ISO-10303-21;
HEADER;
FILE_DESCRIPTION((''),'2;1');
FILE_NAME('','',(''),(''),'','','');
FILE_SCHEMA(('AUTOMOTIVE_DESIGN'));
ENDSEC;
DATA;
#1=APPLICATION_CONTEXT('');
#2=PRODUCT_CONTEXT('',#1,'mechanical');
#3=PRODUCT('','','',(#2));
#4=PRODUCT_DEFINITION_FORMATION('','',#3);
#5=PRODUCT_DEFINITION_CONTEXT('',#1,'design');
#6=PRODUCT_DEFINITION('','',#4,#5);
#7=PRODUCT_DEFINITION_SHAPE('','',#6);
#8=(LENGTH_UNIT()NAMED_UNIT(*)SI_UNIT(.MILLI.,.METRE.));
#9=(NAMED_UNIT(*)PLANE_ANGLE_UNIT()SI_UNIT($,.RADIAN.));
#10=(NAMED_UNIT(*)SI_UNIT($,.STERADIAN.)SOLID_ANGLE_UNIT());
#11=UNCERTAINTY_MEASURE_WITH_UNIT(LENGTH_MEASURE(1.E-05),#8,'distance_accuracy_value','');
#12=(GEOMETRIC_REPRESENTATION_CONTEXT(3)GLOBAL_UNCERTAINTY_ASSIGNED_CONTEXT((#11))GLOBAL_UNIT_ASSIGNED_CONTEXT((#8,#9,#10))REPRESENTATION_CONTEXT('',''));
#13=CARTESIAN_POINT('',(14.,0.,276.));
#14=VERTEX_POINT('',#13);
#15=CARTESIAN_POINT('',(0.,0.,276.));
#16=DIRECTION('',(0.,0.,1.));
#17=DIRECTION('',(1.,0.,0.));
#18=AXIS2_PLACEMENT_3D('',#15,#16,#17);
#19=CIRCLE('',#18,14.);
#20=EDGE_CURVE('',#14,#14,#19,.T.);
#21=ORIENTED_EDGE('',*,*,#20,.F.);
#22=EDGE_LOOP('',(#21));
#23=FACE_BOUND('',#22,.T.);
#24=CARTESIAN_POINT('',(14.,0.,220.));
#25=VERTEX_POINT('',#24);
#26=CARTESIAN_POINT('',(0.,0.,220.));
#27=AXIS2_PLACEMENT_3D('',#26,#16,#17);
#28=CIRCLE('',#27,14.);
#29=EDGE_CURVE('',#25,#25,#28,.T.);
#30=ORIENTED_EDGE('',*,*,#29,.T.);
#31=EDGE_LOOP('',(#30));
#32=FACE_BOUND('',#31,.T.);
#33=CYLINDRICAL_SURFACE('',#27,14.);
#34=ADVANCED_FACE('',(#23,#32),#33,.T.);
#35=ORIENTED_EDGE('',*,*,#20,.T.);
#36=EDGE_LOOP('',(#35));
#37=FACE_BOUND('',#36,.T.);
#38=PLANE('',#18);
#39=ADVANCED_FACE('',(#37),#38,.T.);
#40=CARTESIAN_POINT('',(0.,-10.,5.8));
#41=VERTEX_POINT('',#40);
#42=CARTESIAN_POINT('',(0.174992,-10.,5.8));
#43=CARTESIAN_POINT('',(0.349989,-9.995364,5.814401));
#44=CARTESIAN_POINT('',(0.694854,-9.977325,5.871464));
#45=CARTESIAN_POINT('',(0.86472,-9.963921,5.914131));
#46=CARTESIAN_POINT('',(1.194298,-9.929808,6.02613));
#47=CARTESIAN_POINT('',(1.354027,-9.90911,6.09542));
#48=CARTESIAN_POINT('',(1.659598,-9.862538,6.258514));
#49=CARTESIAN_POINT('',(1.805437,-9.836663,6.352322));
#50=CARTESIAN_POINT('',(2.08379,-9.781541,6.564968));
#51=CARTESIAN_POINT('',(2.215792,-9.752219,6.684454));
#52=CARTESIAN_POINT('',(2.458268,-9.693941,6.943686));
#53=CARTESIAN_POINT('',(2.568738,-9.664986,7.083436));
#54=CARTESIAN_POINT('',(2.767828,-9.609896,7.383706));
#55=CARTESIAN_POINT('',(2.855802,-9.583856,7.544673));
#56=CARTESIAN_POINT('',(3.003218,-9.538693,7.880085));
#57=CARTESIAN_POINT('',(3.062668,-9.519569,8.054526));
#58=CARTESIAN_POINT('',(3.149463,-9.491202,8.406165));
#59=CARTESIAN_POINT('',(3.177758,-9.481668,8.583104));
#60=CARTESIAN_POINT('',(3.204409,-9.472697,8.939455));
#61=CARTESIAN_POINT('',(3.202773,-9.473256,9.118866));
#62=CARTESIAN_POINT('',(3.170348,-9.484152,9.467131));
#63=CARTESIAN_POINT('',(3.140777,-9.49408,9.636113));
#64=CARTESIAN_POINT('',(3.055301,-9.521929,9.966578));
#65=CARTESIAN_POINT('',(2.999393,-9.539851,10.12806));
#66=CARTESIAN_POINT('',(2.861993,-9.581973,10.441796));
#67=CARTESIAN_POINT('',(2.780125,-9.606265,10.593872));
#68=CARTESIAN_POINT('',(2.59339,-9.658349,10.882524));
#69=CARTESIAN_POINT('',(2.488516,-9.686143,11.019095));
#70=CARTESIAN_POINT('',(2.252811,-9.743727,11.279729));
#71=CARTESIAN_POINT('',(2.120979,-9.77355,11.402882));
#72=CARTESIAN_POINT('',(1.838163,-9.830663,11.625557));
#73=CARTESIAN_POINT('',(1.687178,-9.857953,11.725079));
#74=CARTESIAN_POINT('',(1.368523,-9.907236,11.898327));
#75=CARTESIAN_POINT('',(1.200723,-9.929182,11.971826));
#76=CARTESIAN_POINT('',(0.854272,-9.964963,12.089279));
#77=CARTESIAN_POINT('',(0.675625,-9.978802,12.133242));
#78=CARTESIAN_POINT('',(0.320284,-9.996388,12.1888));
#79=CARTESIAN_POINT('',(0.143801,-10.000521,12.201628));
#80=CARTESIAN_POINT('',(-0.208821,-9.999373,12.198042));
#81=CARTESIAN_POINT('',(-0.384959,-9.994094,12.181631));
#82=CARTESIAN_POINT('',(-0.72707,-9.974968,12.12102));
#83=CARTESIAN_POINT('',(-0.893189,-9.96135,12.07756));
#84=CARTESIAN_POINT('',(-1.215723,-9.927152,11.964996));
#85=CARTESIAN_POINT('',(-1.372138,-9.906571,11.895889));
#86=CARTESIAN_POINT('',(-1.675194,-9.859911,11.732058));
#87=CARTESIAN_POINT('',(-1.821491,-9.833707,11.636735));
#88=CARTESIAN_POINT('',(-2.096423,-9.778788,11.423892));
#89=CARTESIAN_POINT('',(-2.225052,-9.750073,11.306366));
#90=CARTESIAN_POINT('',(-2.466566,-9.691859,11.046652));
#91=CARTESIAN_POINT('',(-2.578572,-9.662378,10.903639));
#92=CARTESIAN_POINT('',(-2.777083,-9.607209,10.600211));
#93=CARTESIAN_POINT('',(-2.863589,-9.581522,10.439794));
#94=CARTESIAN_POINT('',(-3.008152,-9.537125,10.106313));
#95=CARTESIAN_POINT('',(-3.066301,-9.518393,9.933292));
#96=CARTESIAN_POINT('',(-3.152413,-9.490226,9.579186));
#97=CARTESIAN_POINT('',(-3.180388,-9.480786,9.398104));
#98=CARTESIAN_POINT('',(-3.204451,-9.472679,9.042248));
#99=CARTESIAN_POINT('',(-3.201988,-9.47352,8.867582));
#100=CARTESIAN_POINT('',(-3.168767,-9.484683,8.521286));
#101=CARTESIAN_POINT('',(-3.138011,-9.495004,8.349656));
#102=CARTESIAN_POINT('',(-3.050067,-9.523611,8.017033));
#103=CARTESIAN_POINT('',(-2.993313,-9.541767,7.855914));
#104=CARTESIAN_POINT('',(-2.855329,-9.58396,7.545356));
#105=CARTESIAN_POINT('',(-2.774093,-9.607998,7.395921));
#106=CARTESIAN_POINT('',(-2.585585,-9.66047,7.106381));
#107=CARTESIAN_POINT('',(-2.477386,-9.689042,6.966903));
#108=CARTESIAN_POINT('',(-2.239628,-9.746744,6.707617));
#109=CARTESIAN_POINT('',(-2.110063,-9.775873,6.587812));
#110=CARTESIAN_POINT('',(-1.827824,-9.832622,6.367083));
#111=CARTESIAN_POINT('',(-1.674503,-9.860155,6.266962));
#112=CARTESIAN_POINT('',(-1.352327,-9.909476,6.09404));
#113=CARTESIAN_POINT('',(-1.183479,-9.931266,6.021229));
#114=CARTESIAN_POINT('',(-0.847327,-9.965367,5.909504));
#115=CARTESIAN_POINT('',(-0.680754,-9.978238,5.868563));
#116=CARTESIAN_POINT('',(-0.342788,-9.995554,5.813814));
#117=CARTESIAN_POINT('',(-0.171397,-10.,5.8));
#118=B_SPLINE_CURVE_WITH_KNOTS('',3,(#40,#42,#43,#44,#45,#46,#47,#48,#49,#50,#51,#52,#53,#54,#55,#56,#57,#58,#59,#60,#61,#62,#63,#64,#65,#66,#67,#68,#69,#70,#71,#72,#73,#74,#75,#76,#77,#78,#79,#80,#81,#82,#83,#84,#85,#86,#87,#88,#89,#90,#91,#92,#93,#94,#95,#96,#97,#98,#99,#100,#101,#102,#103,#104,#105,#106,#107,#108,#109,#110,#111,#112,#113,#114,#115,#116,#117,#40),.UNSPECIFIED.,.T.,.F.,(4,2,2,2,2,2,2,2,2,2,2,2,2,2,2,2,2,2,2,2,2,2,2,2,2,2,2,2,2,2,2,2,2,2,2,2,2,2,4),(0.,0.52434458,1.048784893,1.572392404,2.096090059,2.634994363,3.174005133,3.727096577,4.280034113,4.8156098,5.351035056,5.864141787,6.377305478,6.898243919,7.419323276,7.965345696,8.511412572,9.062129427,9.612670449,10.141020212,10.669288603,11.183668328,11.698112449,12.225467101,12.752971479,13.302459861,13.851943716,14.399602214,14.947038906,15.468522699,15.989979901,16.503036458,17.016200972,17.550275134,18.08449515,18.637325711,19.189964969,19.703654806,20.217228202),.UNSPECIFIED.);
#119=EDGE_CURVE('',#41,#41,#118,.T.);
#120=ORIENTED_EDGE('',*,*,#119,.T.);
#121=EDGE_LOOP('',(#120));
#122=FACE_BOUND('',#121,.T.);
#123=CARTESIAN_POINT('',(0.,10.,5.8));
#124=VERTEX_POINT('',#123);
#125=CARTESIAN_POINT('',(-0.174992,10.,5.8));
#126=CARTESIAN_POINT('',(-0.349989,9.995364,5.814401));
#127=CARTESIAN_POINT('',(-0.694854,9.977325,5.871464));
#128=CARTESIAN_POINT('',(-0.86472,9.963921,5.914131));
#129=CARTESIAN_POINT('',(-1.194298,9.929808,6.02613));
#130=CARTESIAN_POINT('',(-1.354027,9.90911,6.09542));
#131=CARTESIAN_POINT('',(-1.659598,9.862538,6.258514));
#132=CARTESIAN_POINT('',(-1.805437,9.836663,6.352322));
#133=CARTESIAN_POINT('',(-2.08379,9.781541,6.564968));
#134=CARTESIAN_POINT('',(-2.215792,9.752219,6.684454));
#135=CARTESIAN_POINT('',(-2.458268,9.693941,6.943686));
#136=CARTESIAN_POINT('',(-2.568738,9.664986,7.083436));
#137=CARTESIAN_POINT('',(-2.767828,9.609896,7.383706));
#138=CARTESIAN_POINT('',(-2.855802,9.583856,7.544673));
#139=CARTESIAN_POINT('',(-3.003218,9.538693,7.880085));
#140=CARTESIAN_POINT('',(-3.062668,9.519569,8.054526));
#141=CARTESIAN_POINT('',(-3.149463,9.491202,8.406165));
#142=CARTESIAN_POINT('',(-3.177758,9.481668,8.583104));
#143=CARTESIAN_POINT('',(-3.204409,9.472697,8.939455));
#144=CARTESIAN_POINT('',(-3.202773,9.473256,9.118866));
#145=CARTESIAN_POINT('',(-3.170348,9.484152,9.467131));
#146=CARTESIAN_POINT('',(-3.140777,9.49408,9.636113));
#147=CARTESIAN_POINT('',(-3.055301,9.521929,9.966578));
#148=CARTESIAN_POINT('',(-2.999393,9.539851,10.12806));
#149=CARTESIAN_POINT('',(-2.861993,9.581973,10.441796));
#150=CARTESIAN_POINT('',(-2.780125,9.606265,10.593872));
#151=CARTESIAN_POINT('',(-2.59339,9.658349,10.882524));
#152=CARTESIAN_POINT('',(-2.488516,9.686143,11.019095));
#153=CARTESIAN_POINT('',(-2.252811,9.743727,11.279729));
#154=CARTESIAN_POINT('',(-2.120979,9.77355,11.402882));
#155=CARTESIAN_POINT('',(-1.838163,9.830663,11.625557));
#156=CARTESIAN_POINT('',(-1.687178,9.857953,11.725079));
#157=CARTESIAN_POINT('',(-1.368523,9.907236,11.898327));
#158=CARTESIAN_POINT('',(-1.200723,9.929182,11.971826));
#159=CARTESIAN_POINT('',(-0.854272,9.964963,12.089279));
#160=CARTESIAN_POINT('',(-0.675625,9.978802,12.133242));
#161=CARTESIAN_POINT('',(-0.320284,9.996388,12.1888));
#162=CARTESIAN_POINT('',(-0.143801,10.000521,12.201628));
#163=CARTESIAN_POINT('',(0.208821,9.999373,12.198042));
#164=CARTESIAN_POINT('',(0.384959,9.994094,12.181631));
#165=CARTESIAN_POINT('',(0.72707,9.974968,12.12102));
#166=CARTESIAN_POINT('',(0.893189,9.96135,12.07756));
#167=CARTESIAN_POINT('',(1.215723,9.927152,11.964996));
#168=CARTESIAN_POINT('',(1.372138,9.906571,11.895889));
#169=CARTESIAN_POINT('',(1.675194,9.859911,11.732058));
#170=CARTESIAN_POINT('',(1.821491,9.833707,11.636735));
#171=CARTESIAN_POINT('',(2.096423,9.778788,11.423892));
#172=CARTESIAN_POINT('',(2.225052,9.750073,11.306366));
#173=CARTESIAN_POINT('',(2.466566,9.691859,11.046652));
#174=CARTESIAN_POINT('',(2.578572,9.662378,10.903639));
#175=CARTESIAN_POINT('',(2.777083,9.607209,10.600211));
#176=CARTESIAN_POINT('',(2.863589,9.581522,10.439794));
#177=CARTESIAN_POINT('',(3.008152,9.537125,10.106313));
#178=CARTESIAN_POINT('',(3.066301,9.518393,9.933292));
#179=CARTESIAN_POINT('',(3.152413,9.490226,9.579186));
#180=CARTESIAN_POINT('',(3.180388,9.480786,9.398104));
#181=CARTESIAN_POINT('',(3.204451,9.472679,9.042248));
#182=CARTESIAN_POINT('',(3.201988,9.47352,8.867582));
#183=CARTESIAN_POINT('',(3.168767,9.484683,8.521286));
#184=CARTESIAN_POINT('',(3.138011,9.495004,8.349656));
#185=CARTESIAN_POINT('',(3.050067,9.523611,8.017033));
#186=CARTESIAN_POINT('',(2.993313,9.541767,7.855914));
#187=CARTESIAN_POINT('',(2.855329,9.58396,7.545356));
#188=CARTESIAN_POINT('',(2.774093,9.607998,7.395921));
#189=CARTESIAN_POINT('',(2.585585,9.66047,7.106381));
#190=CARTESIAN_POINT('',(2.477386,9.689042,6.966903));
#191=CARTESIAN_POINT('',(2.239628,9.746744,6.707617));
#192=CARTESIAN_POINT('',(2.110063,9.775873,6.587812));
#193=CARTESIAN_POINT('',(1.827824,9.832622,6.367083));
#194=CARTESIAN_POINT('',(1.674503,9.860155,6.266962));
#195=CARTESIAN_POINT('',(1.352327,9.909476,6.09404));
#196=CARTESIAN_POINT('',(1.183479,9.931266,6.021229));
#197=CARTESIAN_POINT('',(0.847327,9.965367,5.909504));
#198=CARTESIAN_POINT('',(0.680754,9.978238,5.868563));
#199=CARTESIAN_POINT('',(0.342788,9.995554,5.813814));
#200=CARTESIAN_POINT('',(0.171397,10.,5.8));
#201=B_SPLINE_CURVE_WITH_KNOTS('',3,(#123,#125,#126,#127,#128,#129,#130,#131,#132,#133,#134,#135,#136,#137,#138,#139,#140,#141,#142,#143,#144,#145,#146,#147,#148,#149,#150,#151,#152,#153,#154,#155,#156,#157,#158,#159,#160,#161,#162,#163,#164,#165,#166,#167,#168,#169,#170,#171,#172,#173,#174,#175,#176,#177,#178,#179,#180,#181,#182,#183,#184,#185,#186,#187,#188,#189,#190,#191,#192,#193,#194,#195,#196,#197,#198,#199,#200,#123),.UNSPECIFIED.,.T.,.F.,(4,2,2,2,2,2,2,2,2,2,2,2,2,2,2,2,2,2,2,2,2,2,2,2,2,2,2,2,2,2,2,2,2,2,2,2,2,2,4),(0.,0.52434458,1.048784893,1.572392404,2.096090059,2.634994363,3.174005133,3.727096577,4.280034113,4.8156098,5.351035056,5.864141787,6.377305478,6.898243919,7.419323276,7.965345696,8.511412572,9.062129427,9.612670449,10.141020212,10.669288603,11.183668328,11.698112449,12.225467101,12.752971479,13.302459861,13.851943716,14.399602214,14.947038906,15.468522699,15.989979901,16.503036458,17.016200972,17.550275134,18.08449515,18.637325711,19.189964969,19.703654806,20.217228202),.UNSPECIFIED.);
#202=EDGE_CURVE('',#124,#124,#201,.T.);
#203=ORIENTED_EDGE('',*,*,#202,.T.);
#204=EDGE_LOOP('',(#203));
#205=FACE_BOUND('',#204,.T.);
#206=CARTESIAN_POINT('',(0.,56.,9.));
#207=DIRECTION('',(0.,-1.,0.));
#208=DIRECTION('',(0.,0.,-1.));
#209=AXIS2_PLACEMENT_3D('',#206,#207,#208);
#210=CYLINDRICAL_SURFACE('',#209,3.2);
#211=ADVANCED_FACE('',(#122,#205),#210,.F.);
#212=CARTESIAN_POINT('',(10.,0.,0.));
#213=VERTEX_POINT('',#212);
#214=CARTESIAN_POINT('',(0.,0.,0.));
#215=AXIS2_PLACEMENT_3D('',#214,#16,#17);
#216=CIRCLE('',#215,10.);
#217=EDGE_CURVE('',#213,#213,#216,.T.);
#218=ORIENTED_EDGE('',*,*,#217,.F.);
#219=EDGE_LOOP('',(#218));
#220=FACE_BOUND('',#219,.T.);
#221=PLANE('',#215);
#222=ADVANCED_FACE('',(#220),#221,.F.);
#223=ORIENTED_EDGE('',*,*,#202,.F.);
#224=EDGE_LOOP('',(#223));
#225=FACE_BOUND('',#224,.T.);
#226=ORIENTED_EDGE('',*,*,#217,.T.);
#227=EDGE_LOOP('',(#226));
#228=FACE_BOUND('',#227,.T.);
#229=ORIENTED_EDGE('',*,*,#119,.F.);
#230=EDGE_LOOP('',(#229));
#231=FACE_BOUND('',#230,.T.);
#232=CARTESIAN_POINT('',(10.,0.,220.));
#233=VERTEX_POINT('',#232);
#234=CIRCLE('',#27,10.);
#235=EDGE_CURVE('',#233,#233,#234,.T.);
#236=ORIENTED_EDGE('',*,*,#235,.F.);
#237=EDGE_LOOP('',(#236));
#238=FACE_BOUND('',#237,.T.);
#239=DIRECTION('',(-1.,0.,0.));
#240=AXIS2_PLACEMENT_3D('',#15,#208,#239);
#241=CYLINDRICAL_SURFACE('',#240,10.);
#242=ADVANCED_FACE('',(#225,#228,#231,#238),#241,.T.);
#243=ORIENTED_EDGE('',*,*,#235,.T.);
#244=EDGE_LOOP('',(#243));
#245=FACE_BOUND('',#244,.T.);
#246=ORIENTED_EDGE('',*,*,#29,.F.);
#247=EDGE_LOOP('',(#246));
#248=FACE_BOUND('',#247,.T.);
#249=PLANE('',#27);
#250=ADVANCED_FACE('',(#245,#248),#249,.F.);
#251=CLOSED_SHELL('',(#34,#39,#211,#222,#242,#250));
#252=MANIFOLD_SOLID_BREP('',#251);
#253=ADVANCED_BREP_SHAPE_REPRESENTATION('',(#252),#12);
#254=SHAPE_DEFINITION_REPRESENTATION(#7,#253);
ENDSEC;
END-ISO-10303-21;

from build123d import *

# Parameters (mm, degrees)
SKETCH1_R               = 10
BOSS_EXTRUDE1_DEPTH     = 276
SKETCH2_R               = 14
BOSS_EXTRUDE2_DEPTH     = 56
CUT_EXTRUDE1_DEPTH      = 56
CUT_EXTRUDE1_DEPTH_BACK = 56
SKETCH3_R               = 3.2


with BuildPart() as part:
    # Sketch1 → Boss-Extrude1 (new body)
    with BuildSketch(Plane.XY):
        Circle(SKETCH1_R)
    extrude(amount=BOSS_EXTRUDE1_DEPTH)

    # Sketch2 → Boss-Extrude2 (add)
    with BuildSketch(Plane.XY.offset(276)):
        Circle(SKETCH2_R)
    extrude(amount=-BOSS_EXTRUDE2_DEPTH)

    # Sketch3 → Cut-Extrude1 (cut, two sides: drawn at the far end of the back side and taken through both)
    with BuildSketch(Plane(origin=(0, 0, 0), x_dir=(1, 0, 0), z_dir=(0, 1, 0)).offset(-CUT_EXTRUDE1_DEPTH_BACK)):
        with Locations((0, -9)):
            Circle(SKETCH3_R)
    extrude(amount=CUT_EXTRUDE1_DEPTH + CUT_EXTRUDE1_DEPTH_BACK, mode=Mode.SUBTRACT)


solid = part.part
